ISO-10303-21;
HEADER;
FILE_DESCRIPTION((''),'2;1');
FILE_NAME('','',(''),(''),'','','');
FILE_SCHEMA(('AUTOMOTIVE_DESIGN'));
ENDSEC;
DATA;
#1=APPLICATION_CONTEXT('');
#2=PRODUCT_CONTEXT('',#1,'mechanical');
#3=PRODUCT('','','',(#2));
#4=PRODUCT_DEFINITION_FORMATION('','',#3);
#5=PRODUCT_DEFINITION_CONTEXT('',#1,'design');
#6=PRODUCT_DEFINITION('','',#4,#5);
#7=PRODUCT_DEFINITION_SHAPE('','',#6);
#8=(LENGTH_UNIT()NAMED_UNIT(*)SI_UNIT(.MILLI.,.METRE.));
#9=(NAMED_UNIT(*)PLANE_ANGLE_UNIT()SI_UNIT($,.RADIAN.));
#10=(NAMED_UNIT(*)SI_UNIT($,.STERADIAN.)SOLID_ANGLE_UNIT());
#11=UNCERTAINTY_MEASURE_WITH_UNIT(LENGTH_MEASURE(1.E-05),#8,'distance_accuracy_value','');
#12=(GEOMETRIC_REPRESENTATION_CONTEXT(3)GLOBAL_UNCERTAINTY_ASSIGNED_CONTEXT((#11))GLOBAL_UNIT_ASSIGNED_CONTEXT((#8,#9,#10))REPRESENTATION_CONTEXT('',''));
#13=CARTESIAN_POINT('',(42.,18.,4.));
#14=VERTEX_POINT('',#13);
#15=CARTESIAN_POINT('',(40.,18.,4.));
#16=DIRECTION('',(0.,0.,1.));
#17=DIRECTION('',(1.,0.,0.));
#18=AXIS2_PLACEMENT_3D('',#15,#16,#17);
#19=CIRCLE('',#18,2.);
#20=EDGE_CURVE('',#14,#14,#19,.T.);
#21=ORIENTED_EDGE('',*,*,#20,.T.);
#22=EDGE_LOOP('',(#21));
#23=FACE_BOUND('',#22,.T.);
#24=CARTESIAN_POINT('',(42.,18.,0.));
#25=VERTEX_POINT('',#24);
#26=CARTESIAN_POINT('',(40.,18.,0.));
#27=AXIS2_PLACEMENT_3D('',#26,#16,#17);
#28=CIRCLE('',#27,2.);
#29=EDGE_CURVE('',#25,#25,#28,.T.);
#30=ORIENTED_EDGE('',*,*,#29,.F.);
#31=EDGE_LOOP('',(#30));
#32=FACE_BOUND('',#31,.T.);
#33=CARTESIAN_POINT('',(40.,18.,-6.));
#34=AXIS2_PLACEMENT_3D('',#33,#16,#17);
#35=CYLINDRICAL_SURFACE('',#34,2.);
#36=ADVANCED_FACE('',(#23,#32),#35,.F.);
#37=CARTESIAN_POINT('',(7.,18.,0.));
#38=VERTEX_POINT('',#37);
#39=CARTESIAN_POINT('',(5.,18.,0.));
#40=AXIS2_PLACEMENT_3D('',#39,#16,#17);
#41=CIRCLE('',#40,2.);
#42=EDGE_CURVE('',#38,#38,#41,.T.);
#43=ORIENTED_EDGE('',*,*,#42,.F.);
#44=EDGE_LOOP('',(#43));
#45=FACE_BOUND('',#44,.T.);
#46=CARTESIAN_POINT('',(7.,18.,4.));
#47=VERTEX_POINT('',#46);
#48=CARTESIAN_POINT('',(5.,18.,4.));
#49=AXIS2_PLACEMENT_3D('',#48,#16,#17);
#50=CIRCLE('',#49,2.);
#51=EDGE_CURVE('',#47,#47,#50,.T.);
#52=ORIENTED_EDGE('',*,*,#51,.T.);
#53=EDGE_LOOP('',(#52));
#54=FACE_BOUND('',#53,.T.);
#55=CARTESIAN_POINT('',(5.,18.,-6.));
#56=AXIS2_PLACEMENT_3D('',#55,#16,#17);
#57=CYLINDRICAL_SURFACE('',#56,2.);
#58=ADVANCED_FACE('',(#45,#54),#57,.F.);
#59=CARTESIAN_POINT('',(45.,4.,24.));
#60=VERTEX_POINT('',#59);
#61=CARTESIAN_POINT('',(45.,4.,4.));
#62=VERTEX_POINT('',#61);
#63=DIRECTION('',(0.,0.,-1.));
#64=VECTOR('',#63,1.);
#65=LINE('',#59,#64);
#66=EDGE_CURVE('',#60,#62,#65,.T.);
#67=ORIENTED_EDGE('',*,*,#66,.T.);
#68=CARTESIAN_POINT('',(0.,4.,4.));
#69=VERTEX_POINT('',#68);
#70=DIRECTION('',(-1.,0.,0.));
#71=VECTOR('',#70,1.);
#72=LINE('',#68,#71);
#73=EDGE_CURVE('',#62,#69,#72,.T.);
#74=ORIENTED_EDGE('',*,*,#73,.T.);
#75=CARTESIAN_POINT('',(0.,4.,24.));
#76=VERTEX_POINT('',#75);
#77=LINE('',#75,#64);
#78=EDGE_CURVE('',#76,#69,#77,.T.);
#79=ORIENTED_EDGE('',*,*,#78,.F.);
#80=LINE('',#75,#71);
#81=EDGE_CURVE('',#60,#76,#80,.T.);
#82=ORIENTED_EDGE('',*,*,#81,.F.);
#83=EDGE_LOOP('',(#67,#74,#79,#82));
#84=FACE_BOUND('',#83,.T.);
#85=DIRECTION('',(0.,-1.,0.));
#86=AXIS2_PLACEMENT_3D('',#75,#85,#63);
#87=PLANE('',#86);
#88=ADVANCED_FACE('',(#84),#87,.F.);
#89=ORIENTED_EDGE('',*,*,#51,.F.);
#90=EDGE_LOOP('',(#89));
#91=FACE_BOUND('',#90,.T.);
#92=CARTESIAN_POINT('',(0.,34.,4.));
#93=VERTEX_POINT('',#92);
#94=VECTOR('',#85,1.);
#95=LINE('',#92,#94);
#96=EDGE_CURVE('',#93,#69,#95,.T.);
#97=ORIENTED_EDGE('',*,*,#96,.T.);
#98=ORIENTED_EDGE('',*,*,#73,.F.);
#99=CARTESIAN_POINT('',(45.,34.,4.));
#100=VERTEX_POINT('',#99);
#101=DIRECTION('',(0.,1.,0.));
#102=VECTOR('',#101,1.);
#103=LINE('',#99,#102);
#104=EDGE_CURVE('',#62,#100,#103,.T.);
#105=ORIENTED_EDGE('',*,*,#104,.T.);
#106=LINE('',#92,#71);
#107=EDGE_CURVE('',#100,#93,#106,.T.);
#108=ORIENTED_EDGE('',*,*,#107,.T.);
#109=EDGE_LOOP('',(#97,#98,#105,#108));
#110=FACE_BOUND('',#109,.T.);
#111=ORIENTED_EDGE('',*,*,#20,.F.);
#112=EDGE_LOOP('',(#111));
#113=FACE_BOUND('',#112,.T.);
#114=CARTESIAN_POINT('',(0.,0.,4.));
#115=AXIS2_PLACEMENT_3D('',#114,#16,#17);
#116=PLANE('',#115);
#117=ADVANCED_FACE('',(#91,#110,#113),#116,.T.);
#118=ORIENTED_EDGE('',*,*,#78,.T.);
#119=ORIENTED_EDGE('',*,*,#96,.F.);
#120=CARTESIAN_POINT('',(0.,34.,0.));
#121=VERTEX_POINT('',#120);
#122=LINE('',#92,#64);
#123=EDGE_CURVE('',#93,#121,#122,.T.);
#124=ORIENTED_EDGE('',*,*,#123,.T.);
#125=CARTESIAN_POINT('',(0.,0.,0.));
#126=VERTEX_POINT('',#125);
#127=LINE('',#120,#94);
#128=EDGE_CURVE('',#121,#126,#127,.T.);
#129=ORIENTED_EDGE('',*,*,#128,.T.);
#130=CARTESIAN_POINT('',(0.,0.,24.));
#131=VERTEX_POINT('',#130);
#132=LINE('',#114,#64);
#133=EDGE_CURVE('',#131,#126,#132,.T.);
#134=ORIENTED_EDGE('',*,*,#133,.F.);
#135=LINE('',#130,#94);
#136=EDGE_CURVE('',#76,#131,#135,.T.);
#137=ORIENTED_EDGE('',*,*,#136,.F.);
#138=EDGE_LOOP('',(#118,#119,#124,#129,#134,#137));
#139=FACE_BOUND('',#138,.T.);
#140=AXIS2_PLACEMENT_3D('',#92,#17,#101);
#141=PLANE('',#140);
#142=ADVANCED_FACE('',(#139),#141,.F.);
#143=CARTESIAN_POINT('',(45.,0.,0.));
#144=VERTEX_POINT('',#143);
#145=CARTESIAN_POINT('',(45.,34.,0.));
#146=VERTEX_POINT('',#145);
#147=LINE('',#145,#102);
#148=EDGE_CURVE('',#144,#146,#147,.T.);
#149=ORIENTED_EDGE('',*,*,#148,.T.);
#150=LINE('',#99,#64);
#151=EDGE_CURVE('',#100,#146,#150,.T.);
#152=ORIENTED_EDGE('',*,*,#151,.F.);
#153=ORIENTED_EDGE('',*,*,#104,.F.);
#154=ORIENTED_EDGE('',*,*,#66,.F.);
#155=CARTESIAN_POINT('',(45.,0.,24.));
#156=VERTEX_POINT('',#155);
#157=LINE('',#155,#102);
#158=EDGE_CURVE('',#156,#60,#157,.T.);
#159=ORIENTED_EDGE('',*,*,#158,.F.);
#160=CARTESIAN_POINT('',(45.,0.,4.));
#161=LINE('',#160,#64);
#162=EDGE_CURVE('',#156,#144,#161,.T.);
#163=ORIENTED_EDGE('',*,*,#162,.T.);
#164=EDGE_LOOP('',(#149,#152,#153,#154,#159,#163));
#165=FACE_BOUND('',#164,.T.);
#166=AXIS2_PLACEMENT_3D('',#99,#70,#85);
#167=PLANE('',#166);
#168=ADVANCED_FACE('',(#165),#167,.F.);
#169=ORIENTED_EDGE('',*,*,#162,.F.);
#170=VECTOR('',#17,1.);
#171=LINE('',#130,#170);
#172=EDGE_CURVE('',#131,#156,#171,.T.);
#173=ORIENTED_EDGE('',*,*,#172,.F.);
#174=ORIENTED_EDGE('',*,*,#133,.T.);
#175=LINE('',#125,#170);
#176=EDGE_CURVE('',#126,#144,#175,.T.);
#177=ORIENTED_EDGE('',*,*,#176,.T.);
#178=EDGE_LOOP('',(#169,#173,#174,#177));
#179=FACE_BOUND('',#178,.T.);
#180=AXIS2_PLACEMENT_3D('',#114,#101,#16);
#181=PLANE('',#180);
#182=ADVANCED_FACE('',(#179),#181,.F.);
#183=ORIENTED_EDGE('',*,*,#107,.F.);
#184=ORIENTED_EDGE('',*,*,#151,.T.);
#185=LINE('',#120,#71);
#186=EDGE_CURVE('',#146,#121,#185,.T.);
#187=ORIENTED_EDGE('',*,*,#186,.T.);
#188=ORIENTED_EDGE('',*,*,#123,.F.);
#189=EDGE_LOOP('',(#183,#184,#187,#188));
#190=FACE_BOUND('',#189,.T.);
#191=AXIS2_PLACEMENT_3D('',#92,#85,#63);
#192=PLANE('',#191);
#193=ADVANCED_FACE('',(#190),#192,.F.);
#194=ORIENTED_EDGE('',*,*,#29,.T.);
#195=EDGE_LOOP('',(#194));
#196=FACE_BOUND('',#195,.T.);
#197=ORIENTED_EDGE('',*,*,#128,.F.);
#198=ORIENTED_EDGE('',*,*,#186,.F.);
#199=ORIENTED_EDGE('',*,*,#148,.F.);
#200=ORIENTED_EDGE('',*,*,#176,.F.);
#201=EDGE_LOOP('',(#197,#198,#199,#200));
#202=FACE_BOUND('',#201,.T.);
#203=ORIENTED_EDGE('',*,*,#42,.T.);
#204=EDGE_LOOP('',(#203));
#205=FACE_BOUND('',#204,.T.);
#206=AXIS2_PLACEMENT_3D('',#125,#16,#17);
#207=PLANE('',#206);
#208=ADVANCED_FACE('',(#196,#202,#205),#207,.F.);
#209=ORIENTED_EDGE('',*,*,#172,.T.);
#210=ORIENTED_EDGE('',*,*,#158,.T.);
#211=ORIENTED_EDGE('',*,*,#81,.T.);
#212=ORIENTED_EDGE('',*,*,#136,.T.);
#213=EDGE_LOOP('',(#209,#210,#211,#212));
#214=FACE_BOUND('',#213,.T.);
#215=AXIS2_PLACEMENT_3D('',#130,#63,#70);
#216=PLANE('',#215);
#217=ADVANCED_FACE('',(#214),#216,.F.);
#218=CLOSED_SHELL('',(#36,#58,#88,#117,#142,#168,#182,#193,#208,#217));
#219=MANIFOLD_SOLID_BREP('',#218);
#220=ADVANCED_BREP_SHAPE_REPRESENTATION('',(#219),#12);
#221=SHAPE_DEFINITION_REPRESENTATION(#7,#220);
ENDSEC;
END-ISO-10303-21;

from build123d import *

# Parameters (mm, degrees)
SKETCH1_W           = 45
SKETCH1_H           = 34
BOSS_EXTRUDE1_DEPTH = 4
SKETCH2_W           = 45
SKETCH2_H           = 4
BOSS_EXTRUDE2_DEPTH = 20
SKETCH3_R           = 2
CUT_EXTRUDE1_DEPTH  = 10


with BuildPart() as part:
    # Sketch1 → Boss-Extrude1 (new body)
    with BuildSketch(Plane.XY):
        with Locations((22.5, 17)):
            Rectangle(SKETCH1_W, SKETCH1_H)
    extrude(amount=BOSS_EXTRUDE1_DEPTH)

    # Sketch2 → Boss-Extrude2 (add)
    with BuildSketch(Plane.XY.offset(4)):
        with Locations((22.5, 2)):
            Rectangle(SKETCH2_W, SKETCH2_H)
    extrude(amount=BOSS_EXTRUDE2_DEPTH)

    # Sketch3 → Cut-Extrude1 (cut)
    with BuildSketch(Plane.XY.offset(4)):
        with Locations((5, 18)):
            Circle(SKETCH3_R)
        with Locations((40, 18)):
            Circle(SKETCH3_R)
    extrude(amount=-CUT_EXTRUDE1_DEPTH, mode=Mode.SUBTRACT)


solid = part.part
